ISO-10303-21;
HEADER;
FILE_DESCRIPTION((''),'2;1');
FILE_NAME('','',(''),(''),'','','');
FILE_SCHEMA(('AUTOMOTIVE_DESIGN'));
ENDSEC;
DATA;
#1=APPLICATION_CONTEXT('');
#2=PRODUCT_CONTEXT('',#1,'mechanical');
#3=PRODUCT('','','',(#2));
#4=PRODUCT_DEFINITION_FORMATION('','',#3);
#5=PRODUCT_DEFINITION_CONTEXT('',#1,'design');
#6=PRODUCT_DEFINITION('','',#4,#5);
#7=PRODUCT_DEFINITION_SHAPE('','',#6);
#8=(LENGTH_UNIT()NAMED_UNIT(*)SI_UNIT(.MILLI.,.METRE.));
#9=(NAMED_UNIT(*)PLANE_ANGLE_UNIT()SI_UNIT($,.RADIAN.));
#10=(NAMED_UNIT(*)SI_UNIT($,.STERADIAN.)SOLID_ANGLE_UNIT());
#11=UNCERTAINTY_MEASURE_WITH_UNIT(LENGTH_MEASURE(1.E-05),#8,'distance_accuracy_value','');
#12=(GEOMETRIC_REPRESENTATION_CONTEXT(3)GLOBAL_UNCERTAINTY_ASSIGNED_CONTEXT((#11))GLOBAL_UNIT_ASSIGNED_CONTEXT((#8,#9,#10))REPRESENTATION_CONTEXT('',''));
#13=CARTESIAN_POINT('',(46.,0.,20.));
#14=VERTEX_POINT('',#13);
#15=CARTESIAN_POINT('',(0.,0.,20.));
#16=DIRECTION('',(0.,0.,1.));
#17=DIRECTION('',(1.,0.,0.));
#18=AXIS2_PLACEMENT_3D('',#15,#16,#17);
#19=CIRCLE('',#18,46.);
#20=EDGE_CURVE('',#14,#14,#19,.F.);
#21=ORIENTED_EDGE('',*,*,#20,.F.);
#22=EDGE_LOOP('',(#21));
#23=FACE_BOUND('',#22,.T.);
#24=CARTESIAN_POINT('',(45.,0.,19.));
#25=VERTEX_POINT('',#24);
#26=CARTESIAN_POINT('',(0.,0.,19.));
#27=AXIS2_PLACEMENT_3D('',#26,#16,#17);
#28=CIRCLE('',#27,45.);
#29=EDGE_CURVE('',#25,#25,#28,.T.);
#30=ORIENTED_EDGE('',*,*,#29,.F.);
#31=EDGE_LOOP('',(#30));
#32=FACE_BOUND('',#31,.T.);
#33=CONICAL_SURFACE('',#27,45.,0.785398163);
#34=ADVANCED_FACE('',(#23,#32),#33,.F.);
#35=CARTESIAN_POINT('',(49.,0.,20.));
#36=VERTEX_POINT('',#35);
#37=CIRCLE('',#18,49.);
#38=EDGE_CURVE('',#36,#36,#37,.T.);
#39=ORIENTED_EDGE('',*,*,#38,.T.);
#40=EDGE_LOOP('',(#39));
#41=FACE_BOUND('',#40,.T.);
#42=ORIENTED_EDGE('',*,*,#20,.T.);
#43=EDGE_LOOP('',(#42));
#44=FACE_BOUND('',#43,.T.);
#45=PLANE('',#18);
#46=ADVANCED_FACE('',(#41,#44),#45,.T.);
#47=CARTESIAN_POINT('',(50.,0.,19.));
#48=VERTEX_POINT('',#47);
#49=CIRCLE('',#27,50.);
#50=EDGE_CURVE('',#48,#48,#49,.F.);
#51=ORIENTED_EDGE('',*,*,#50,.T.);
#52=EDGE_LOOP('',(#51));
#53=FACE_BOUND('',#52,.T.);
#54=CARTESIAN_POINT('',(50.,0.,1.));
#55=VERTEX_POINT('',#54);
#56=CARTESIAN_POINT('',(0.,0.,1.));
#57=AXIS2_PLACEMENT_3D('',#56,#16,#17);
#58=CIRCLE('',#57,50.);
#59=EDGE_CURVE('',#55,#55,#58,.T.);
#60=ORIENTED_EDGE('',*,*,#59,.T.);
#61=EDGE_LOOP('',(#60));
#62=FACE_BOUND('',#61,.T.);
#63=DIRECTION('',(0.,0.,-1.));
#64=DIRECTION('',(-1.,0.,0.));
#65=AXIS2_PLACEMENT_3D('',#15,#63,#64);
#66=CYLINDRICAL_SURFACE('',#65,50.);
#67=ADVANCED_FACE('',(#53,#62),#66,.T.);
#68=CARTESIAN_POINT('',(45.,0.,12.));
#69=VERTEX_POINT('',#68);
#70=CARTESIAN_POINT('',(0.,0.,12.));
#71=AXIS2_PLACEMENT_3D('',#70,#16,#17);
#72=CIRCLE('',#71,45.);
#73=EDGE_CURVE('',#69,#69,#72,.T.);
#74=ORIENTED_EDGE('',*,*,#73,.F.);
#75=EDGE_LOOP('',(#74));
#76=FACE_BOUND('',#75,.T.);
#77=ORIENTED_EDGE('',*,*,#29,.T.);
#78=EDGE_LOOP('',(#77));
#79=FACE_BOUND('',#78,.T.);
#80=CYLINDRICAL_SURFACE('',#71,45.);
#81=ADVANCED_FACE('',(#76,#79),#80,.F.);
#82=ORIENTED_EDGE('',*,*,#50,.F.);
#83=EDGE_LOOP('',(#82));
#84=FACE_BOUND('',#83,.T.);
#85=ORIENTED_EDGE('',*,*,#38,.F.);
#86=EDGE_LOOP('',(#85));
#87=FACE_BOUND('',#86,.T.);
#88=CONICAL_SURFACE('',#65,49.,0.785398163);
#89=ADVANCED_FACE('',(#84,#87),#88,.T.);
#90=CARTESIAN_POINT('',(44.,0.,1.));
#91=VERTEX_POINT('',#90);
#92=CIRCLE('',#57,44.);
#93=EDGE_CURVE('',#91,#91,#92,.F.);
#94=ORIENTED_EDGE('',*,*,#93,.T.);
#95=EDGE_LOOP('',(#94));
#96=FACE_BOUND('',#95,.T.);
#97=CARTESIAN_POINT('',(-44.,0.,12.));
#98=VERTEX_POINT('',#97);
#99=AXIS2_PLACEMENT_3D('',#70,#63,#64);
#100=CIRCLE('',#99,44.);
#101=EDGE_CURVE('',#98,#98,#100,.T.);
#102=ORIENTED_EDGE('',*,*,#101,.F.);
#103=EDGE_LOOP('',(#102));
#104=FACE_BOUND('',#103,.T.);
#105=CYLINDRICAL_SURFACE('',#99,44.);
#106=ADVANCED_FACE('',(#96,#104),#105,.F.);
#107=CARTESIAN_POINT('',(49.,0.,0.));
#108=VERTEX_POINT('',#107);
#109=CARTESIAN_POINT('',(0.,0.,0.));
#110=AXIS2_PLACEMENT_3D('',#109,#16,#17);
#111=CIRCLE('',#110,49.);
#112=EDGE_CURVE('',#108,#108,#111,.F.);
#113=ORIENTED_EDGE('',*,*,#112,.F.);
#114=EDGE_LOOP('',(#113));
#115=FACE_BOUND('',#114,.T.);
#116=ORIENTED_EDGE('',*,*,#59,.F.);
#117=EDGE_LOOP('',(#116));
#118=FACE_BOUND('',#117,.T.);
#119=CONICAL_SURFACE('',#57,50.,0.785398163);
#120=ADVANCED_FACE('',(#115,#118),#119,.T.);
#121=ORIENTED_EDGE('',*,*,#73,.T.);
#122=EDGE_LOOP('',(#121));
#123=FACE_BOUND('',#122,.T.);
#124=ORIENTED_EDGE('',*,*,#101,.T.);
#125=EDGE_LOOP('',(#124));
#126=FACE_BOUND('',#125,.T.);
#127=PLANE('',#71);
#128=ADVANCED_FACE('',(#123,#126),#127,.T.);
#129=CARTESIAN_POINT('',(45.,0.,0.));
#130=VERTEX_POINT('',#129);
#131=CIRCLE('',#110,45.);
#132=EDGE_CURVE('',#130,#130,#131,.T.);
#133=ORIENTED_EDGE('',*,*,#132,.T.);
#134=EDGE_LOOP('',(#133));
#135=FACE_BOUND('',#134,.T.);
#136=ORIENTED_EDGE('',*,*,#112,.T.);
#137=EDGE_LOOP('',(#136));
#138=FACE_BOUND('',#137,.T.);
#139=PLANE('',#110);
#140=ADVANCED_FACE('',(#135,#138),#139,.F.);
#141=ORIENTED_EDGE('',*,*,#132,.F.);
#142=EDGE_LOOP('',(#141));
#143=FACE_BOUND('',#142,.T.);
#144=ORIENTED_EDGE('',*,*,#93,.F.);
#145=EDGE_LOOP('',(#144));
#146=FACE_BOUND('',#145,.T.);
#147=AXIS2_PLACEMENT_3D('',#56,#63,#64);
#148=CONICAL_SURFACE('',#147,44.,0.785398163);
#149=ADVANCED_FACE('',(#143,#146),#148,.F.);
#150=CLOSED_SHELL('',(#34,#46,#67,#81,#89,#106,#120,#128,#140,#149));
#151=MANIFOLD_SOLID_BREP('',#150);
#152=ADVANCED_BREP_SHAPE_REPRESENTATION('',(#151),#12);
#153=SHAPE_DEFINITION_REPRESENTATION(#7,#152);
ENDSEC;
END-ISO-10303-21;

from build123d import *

# Parameters (mm, degrees)
SKETCH_1_R          = 50
EXTRUDE_1_DEPTH     = 20
SKETCH_2_R          = 45
CUT_EXTRUDE_1_DEPTH = 8
SKETCH_3_R          = 44
CUT_EXTRUDE_2_DEPTH = 12
CHAMFER_1_SIZE      = 1


with BuildPart() as part:
    # 스케치1 → 보스-돌출1 (new body)
    with BuildSketch(Plane.XY):
        Circle(SKETCH_1_R)
    extrude(amount=EXTRUDE_1_DEPTH)

    # 스케치2 → 컷-돌출1 (cut)
    with BuildSketch(Plane.XY.offset(20)):
        Circle(SKETCH_2_R)
    extrude(amount=-CUT_EXTRUDE_1_DEPTH, mode=Mode.SUBTRACT)

    # 스케치3 → 컷-돌출2 (cut)
    with BuildSketch(Plane(origin=(0, 0, 0), x_dir=(-1, 0, 0), z_dir=(0, 0, -1))):
        Circle(SKETCH_3_R)
    extrude(amount=-CUT_EXTRUDE_2_DEPTH, mode=Mode.SUBTRACT)

    # 모따기1
    chamfer_1_edges = [part.edges().sort_by_distance(p)[0] for p in [
        (44, 0, 0),
        (-50, 0, 0),
        (-50, 0, 20),
        (-45, 0, 20),
    ]]
    chamfer(chamfer_1_edges, length=CHAMFER_1_SIZE)


solid = part.part
